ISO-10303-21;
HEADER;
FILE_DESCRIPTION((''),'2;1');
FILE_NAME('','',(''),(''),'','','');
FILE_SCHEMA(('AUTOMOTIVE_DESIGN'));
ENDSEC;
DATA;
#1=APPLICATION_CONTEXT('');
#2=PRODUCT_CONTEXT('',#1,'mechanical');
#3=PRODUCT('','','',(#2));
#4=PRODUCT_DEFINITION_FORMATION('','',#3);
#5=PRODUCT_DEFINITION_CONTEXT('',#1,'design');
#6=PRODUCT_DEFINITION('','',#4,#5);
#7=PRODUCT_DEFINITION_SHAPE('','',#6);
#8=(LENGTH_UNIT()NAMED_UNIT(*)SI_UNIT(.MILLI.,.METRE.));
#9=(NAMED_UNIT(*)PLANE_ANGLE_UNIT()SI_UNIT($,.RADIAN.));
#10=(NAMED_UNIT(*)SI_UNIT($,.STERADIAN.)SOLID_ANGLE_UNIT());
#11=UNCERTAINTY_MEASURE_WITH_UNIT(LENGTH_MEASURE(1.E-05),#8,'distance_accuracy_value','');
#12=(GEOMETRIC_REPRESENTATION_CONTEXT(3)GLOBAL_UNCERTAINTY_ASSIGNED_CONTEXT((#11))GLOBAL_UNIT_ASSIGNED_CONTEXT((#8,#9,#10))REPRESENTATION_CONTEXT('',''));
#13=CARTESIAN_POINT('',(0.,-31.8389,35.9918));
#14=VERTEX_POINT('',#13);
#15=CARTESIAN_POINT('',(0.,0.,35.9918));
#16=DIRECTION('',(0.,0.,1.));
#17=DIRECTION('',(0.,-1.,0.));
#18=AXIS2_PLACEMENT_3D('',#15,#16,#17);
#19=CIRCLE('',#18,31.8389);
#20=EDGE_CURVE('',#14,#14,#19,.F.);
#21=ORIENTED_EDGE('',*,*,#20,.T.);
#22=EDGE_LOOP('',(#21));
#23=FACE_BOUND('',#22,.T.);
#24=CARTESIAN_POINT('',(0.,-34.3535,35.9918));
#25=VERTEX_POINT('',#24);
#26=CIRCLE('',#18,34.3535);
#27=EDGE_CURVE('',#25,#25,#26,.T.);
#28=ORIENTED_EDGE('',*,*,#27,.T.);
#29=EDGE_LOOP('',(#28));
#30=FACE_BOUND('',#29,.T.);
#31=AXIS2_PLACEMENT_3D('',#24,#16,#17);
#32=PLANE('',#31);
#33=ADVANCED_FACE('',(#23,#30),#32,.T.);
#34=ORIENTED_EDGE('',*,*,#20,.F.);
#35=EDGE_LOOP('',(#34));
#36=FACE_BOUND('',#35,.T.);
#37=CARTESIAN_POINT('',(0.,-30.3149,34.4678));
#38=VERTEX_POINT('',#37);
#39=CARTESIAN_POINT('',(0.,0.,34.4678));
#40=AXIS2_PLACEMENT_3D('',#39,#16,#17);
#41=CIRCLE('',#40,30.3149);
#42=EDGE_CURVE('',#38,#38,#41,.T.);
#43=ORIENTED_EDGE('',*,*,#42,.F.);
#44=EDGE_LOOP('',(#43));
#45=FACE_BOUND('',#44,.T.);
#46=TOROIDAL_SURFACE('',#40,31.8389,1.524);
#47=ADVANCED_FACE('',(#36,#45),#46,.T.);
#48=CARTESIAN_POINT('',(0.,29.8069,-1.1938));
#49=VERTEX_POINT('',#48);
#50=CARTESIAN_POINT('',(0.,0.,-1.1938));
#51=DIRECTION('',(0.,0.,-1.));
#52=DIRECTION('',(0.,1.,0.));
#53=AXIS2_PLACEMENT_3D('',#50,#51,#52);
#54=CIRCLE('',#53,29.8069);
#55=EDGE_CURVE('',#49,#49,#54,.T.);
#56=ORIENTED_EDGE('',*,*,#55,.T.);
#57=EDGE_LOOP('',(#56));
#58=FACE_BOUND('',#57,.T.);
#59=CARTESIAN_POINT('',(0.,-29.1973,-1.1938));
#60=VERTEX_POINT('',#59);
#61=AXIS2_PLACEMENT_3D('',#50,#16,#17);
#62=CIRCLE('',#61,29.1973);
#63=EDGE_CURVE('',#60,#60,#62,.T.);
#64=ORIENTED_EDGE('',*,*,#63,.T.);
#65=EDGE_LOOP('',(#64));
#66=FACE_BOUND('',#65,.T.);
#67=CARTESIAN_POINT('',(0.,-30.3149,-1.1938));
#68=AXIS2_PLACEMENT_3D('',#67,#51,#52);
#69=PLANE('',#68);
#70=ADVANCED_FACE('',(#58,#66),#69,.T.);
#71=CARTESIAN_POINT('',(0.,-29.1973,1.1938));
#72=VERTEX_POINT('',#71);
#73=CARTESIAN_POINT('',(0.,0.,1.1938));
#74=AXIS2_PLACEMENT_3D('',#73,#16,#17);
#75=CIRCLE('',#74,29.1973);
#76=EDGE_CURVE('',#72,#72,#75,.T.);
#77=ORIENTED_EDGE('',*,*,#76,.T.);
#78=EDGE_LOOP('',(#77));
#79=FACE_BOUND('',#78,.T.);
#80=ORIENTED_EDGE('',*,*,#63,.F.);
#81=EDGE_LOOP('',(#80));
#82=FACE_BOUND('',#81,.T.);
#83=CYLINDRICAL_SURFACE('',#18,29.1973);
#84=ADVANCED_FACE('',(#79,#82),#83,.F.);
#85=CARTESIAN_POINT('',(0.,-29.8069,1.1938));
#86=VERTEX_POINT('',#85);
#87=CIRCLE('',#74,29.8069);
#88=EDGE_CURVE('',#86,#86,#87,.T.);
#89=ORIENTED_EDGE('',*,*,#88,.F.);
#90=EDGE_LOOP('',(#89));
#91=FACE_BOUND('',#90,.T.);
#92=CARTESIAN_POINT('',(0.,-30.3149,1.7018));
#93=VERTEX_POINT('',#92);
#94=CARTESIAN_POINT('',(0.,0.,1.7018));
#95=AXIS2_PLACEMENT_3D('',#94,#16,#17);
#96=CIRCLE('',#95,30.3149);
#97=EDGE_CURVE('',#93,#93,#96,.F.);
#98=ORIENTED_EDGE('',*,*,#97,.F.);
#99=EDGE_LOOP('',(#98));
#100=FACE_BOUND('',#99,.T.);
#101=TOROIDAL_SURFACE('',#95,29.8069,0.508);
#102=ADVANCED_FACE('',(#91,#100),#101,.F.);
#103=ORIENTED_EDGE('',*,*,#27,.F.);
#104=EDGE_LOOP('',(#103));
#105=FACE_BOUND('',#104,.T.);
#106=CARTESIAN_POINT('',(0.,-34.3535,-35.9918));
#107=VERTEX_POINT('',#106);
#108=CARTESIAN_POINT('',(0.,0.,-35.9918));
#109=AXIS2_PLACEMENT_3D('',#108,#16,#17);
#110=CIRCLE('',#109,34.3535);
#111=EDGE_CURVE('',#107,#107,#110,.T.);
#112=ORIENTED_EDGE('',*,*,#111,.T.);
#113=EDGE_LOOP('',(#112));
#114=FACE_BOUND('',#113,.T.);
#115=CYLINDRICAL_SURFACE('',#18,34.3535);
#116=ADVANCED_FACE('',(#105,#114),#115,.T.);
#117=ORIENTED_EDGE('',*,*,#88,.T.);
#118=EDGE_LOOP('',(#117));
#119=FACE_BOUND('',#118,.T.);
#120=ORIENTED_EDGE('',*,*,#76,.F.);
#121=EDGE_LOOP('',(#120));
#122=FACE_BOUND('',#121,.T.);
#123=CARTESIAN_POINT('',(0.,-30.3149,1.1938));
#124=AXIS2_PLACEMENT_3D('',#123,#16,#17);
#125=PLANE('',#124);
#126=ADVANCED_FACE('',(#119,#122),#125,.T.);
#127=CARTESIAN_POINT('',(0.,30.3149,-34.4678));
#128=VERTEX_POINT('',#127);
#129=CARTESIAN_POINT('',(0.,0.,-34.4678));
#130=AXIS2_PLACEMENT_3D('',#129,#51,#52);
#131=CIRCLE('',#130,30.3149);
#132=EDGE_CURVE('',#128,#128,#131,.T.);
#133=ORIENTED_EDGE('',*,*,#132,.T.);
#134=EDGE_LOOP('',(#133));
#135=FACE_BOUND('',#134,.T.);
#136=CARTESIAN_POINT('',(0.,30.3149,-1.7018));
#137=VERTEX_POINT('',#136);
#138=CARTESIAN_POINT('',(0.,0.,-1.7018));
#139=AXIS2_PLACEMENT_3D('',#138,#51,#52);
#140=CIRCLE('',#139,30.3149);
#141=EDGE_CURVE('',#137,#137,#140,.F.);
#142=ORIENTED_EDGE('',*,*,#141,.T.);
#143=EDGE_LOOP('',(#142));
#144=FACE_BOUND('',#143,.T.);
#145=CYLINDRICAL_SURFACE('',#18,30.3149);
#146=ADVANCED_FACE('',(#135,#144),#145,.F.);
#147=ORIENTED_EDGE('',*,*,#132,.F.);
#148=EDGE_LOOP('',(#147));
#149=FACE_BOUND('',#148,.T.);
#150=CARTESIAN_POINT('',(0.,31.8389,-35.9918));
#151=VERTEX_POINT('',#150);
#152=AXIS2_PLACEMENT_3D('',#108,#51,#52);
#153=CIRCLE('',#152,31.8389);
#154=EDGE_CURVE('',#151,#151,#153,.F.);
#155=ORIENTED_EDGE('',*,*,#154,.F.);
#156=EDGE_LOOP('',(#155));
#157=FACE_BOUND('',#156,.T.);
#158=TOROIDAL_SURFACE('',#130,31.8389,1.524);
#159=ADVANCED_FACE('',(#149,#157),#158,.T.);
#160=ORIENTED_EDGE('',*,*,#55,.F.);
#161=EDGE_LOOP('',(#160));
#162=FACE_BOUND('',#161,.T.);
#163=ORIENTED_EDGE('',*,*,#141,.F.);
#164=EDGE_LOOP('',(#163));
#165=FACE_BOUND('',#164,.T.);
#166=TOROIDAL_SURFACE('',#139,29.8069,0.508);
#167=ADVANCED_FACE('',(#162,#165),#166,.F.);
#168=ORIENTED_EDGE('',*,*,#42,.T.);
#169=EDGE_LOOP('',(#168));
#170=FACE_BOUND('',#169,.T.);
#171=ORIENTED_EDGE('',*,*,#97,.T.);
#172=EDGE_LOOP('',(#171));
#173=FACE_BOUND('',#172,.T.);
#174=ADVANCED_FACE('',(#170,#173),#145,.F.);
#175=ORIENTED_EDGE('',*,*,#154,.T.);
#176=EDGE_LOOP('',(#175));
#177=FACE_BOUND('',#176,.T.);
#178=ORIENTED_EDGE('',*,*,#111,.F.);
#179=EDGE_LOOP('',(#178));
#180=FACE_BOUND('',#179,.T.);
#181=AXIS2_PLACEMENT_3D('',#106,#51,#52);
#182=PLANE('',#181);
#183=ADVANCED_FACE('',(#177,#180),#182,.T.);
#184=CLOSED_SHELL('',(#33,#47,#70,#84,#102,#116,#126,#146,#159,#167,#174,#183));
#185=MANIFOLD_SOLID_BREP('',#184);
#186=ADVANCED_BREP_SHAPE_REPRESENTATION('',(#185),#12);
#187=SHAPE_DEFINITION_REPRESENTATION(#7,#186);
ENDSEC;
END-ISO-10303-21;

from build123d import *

# Parameters (mm, degrees)
FILLET1_R = 1.524
FILLET2_R = 0.508


with BuildPart() as part:
    # Sketch3 → Revolve1 (revolve)
    with BuildSketch(Plane(origin=(0, 0, 0), x_dir=(0, 0, -1), z_dir=(1, 0, 0))):
        Polygon((-35.9918, -34.3535), (35.9918, -34.3535), (35.9918, -30.3149), (1.1938, -30.3149), (1.1938, -29.1973), (-1.1938, -29.1973), (-1.1938, -30.3149), (-35.9918, -30.3149), align=None)
    revolve(axis=Axis((0, 0, 35.9918), (0, 0, -1)))

    # Fillet1
    fillet1_edges = [part.edges().sort_by_distance(p)[0] for p in [
        (0, 30.3149, -35.9918),
        (0, 30.3149, 35.9918),
    ]]
    fillet(fillet1_edges, radius=FILLET1_R)

    # Fillet2
    fillet2_edges = [part.edges().sort_by_distance(p)[0] for p in [
        (0, 30.3149, -1.1938),
        (0, 30.3149, 1.1938),
    ]]
    fillet(fillet2_edges, radius=FILLET2_R)


solid = part.part
